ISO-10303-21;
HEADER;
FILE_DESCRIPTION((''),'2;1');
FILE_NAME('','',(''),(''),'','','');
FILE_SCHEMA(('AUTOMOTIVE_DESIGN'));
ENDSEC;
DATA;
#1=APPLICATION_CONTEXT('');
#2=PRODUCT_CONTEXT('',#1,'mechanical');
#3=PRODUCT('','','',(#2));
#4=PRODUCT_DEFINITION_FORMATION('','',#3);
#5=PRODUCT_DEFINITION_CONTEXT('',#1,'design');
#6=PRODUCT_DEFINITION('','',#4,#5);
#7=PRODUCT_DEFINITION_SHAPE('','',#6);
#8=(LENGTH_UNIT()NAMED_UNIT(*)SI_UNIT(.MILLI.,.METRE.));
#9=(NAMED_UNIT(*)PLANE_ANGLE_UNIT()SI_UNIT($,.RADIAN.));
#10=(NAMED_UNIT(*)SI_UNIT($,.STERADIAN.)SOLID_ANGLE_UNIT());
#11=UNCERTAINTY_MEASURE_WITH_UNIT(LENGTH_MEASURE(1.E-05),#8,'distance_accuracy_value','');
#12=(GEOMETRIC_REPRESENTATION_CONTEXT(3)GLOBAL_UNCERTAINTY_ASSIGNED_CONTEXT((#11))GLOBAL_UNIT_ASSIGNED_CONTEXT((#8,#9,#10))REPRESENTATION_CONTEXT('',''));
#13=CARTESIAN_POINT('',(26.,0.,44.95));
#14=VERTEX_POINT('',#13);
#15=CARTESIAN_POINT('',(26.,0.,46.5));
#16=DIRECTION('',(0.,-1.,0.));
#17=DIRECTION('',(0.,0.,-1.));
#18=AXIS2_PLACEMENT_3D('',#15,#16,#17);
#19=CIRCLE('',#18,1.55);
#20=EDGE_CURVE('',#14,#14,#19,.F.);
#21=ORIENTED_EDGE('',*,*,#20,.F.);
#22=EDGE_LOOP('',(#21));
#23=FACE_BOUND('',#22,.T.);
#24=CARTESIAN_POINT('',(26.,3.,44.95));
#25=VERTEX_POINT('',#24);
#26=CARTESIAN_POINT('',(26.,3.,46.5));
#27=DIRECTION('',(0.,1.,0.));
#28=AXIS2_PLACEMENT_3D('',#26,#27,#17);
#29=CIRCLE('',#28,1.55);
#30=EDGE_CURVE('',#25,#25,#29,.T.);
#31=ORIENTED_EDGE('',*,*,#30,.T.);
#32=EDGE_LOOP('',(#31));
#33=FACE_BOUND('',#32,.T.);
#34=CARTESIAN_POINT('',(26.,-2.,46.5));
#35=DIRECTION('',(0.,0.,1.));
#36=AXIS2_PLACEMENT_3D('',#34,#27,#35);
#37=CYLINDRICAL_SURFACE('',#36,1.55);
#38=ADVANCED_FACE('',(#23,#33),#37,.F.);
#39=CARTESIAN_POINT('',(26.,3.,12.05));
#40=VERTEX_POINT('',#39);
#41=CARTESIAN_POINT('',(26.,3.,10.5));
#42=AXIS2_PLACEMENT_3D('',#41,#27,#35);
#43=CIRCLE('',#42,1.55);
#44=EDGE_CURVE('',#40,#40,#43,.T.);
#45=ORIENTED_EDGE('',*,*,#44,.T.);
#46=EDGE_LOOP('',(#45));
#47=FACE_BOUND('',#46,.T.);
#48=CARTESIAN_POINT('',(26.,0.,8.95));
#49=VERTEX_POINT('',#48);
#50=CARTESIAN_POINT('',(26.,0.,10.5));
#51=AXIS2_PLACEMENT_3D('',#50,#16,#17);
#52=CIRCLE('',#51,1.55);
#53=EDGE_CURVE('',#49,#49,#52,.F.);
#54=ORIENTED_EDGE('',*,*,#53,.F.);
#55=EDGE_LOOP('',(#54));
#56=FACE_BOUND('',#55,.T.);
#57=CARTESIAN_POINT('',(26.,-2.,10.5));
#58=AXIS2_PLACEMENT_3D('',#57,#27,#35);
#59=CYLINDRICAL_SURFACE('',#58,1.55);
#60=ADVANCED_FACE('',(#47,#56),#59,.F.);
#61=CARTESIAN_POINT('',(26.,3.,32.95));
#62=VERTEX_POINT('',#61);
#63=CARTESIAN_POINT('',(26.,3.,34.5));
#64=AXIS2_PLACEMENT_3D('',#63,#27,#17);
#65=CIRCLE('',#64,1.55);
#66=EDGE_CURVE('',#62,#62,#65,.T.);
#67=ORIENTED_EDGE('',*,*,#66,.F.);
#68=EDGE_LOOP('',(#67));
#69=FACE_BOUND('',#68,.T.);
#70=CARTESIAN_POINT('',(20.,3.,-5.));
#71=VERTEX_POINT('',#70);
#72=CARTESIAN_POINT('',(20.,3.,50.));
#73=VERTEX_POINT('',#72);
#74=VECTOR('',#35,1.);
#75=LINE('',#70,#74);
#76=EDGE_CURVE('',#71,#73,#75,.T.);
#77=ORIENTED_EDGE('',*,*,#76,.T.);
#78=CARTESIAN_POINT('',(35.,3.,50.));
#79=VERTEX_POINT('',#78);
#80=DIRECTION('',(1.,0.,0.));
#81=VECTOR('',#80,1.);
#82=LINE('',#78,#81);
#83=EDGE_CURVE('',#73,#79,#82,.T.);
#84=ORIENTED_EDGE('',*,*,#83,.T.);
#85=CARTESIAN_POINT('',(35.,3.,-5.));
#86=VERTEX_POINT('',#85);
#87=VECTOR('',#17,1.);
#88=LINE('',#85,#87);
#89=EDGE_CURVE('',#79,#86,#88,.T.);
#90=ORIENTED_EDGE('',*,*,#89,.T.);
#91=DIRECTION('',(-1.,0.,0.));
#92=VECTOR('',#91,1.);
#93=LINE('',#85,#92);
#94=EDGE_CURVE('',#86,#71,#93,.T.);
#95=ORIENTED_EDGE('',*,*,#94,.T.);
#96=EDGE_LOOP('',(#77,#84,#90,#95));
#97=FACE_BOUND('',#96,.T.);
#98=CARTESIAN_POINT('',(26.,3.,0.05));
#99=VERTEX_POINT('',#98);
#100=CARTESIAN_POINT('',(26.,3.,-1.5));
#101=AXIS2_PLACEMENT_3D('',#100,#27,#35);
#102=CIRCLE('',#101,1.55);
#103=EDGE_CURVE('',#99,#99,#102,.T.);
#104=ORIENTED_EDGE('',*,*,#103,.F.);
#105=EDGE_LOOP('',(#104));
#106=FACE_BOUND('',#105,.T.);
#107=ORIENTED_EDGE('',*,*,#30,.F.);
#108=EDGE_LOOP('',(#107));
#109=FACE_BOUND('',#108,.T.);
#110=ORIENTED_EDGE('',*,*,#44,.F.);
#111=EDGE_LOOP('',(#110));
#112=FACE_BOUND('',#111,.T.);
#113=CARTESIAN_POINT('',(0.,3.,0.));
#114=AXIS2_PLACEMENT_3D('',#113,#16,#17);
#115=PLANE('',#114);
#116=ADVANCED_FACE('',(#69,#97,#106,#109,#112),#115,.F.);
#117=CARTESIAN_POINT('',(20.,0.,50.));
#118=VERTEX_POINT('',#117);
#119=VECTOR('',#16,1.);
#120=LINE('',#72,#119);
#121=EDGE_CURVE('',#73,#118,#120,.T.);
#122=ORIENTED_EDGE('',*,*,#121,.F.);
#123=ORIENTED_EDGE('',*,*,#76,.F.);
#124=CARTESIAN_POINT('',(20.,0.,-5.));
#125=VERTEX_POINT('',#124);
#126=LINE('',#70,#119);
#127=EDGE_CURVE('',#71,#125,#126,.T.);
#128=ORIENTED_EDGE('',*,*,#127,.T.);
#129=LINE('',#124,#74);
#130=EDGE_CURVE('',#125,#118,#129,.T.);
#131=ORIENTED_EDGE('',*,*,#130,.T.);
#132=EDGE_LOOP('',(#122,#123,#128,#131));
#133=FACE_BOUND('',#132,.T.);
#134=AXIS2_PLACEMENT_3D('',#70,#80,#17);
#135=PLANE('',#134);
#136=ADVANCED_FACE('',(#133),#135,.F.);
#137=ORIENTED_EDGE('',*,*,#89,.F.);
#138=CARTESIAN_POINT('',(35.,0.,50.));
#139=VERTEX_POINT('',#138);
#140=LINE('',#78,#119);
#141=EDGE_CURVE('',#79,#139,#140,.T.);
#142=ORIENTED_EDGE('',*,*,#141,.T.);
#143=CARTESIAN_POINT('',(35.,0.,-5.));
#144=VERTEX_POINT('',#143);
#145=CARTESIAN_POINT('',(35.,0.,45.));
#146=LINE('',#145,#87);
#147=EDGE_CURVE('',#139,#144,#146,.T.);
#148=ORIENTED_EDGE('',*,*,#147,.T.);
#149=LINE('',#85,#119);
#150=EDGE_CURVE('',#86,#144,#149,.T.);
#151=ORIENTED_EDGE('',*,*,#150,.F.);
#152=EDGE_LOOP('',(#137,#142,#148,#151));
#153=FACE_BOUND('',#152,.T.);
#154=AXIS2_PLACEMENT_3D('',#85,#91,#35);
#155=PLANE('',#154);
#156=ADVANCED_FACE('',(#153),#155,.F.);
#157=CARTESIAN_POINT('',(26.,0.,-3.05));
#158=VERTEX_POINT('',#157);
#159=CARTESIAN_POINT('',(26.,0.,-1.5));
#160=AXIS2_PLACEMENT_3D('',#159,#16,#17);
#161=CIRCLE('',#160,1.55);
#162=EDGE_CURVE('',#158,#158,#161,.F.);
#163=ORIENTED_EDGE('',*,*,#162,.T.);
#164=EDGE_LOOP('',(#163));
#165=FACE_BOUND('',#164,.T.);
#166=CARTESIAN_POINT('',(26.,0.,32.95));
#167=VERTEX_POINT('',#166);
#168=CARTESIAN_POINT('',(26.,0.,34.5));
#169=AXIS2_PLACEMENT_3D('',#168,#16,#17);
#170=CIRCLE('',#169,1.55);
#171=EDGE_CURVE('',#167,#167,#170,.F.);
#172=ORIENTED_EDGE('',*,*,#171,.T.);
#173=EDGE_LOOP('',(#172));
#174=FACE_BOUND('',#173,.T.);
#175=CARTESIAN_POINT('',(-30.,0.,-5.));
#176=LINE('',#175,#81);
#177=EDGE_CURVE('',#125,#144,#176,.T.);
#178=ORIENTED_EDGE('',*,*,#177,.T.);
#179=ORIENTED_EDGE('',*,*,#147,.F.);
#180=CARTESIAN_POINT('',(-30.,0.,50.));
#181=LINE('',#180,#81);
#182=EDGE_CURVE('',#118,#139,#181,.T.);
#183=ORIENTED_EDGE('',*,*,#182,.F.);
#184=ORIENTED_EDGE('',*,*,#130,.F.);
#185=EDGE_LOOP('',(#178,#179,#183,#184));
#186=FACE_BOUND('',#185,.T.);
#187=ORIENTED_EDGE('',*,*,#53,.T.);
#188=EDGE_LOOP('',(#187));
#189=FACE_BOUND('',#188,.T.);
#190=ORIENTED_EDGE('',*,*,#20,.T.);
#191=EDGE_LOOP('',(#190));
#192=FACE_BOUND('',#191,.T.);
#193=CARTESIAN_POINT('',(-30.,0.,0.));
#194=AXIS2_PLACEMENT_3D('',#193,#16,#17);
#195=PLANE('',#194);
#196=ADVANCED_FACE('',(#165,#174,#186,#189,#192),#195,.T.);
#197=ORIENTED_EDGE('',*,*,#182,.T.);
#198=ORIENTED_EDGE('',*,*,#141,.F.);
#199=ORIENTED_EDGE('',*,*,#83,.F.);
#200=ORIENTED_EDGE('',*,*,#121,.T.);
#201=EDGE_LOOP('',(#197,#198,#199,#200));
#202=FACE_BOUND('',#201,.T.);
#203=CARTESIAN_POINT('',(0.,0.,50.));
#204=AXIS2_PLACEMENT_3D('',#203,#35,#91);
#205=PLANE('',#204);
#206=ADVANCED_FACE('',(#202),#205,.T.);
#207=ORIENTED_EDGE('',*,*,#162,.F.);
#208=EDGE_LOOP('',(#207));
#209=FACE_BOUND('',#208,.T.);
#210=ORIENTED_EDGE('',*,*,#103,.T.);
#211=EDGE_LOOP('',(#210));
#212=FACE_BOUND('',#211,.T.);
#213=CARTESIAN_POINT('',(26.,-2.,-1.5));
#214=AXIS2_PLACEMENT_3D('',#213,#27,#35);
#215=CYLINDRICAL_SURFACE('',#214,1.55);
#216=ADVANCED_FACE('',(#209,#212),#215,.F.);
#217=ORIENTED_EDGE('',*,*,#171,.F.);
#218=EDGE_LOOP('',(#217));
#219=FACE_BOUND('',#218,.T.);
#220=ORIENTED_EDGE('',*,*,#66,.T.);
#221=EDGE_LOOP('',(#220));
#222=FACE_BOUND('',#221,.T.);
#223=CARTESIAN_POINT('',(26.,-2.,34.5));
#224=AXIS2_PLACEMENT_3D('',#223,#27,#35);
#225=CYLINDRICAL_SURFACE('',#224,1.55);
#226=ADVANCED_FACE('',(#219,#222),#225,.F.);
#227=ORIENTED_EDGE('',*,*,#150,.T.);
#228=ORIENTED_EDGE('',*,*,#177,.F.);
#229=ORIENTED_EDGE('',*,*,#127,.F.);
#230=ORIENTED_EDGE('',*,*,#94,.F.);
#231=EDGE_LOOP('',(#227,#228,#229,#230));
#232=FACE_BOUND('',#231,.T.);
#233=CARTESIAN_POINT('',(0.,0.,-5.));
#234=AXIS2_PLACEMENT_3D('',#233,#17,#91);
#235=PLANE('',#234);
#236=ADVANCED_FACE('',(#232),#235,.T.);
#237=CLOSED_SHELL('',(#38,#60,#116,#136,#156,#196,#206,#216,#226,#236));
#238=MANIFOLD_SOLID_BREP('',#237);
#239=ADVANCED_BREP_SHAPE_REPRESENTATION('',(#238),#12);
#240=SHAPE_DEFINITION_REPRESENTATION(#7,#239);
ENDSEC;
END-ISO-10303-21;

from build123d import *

# Parameters (mm, degrees)
BOSS_EXTRUDE1_DEPTH = 45
SKETCH2_W           = 31
SKETCH2_H           = 37
BOSS_EXTRUDE3_START = -45
BOSS_EXTRUDE3_DEPTH = 45
SKETCH4_R           = 5.05
CUT_EXTRUDE1_DEPTH  = 12
SKETCH5_W           = 5
SKETCH5_H           = 35
CUT_EXTRUDE2_DEPTH  = 67.895440801
BOSS_EXTRUDE5_DEPTH = 37
BOSS_EXTRUDE6_START = 5
SKETCH7_W           = 17.5
SKETCH7_H           = 7.441015215
BOSS_EXTRUDE6_DEPTH = 5
SKETCH9_W           = 15
SKETCH9_H           = 55
SKETCH9_W_2         = 10
BOSS_EXTRUDE7_DEPTH = 3
SKETCH12_R          = 1.55
CUT_EXTRUDE5_DEPTH  = 5
SKETCH13_W          = 7
SKETCH13_H          = 4
CUT_EXTRUDE6_DEPTH  = 90.162772501
CUT_EXTRUDE7_DEPTH  = 74.993242935


with BuildPart() as part:
    # Sketch1 → Boss-Extrude1 (new body)
    with BuildSketch(Plane.XY):
        with BuildLine():
            Line((35, 0), (-35, 0))
            ThreePointArc((-35, 0), (0, -35), (35, 0))
        make_face()
    extrude(amount=BOSS_EXTRUDE1_DEPTH)

    # Sketch2 → Cut-Revolve1 (revolve, cut)
    with BuildSketch(Plane(origin=(0, 0, 0), x_dir=(1, 0, 0), z_dir=(0, 1, 0))):
        with Locations((-15.5, -22.5)):
            Rectangle(SKETCH2_W, SKETCH2_H)
    revolve(axis=Axis((0, 0, 0), (0, 0, 1)), mode=Mode.SUBTRACT)

    # Sketch3 → Boss-Extrude3 (add)
    with BuildSketch(Plane.XY.offset(45).offset(BOSS_EXTRUDE3_START)):
        with BuildLine():
            Line((-17.5, -30.310889132), (-17.5, 0))
            Line((-17.5, 0), (-35, 0))
            Line((-35, 0), (-35, -35))
            Line((-35, -35), (0, -35))
            ThreePointArc((0, -35), (-9.058666579, -33.80740392), (-17.5, -30.310889132))
        make_face()
    extrude(amount=BOSS_EXTRUDE3_DEPTH)

    # Sketch4 → Cut-Extrude1 (cut)
    with BuildSketch(Plane.ZY.offset(35)):
        with Locations((10, -17.5)):
            Circle(SKETCH4_R)
        with Locations((35, -17.5)):
            Circle(SKETCH4_R)
    extrude(amount=-CUT_EXTRUDE1_DEPTH, mode=Mode.SUBTRACT)

    # Sketch5 → Cut-Extrude2 (cut, through all)
    with BuildSketch(Plane(origin=(0, 0, 0), x_dir=(-1, 0, 0), z_dir=(0, 0, -1))):
        with Locations((32.5, -17.5)):
            Rectangle(SKETCH5_W, SKETCH5_H)
    extrude(amount=-CUT_EXTRUDE2_DEPTH, mode=Mode.SUBTRACT)

    # Sketch6 → Boss-Extrude5 (add)
    with BuildSketch(Plane(origin=(0, 0, 41), x_dir=(-1, 0, 0), z_dir=(0, 0, -1))):
        with BuildLine():
            ThreePointArc((-31, 0), (-25.966324345, -16.933694222), (-12.5, -28.368115905))
            Line((-12.5, -28.368115905), (-12.5, 0))
            Line((-12.5, 0), (-31, 0))
        make_face()
        with BuildLine():
            Line((12.5, 0), (12.5, -28.368115905))
            ThreePointArc((12.5, -28.368115905), (15.064267175, -27.093686617), (17.5, -25.588083164))
            Line((17.5, -25.588083164), (17.5, 0))
            Line((17.5, 0), (12.5, 0))
        make_face()
    extrude(amount=BOSS_EXTRUDE5_DEPTH)

    # Sketch7 → Boss-Extrude6 (add)
    with BuildSketch(Plane(origin=(0, 0, 0), x_dir=(-1, 0, 0), z_dir=(0, 0, -1)).offset(BOSS_EXTRUDE6_START)):
        with BuildLine():
            Line((-12.5, 0), (-35, 0))
            ThreePointArc((-35, 0), (-34.799393274, -3.741955075), (-34.199872698, -7.441015215))
            Line((-34.199872698, -7.441015215), (-12.5, -7.441015215))
            Line((-12.5, -7.441015215), (-12.5, 0))
        make_face()
        with Locations((21.25, -3.720507608)):
            Rectangle(SKETCH7_W, SKETCH7_H)
    boss_extrude6 = extrude(amount=-BOSS_EXTRUDE6_DEPTH)

    # Mirror1: Boss-Extrude6 across plane
    add(boss_extrude6.mirror(Plane(origin=(0, 0, 22.5), x_dir=(1, 0, 0), z_dir=(0, 0, -1))))

    # Sketch9 → Boss-Extrude7 (add)
    with BuildSketch(Plane(origin=(0, 0, 0), x_dir=(1, 0, 0), z_dir=(0, 1, 0))):
        with Locations((27.5, -22.5)):
            Rectangle(SKETCH9_W, SKETCH9_H)
        with Locations((-25, -22.5)):
            Rectangle(SKETCH9_W_2, SKETCH9_H)
    extrude(amount=BOSS_EXTRUDE7_DEPTH)

    # Sketch12 → Cut-Extrude5 (cut)
    with BuildSketch(Plane(origin=(0, 3, 0), x_dir=(1, 0, 0), z_dir=(0, 1, 0))):
        with Locations((26, 1.5)):
            Circle(SKETCH12_R)
        with Locations((26, -10.5)):
            Circle(SKETCH12_R)
        with Locations((26, -34.5)):
            Circle(SKETCH12_R)
        with Locations((26, -46.5)):
            Circle(SKETCH12_R)
        with Locations((-26, 1.5)):
            Circle(SKETCH12_R)
        with Locations((-26, -10.5)):
            Circle(SKETCH12_R)
        with Locations((-26, -34.5)):
            Circle(SKETCH12_R)
        with Locations((-26, -46.5)):
            Circle(SKETCH12_R)
    extrude(amount=-CUT_EXTRUDE5_DEPTH, mode=Mode.SUBTRACT)

    # Sketch13 → Cut-Extrude6 (cut, through all)
    with BuildSketch(Plane(origin=(35, 0, 0), x_dir=(0, 0, -1), z_dir=(1, 0, 0))):
        with Locations((-46.5, -2)):
            Rectangle(SKETCH13_W, SKETCH13_H)
        with Locations((-34.5, -2)):
            Rectangle(SKETCH13_W, SKETCH13_H)
        with Locations((-10.5, -2)):
            Rectangle(SKETCH13_W, SKETCH13_H)
        with Locations((1.5, -2)):
            Rectangle(SKETCH13_W, SKETCH13_H)
    extrude(amount=-CUT_EXTRUDE6_DEPTH, mode=Mode.SUBTRACT)

    # Sketch14 → Cut-Extrude7 (cut, through all)
    with BuildSketch(Plane.XY.offset(50)):
        Polygon((-17.094187338, 0), (35.300582727, 0), (35.300582727, -35.487417881), (-30, -35.487417881), (-30, 0), (-30, 9.051842105), (-17.094187338, 9.051842105), align=None)
    extrude(amount=-CUT_EXTRUDE7_DEPTH, mode=Mode.SUBTRACT)


solid = part.part
